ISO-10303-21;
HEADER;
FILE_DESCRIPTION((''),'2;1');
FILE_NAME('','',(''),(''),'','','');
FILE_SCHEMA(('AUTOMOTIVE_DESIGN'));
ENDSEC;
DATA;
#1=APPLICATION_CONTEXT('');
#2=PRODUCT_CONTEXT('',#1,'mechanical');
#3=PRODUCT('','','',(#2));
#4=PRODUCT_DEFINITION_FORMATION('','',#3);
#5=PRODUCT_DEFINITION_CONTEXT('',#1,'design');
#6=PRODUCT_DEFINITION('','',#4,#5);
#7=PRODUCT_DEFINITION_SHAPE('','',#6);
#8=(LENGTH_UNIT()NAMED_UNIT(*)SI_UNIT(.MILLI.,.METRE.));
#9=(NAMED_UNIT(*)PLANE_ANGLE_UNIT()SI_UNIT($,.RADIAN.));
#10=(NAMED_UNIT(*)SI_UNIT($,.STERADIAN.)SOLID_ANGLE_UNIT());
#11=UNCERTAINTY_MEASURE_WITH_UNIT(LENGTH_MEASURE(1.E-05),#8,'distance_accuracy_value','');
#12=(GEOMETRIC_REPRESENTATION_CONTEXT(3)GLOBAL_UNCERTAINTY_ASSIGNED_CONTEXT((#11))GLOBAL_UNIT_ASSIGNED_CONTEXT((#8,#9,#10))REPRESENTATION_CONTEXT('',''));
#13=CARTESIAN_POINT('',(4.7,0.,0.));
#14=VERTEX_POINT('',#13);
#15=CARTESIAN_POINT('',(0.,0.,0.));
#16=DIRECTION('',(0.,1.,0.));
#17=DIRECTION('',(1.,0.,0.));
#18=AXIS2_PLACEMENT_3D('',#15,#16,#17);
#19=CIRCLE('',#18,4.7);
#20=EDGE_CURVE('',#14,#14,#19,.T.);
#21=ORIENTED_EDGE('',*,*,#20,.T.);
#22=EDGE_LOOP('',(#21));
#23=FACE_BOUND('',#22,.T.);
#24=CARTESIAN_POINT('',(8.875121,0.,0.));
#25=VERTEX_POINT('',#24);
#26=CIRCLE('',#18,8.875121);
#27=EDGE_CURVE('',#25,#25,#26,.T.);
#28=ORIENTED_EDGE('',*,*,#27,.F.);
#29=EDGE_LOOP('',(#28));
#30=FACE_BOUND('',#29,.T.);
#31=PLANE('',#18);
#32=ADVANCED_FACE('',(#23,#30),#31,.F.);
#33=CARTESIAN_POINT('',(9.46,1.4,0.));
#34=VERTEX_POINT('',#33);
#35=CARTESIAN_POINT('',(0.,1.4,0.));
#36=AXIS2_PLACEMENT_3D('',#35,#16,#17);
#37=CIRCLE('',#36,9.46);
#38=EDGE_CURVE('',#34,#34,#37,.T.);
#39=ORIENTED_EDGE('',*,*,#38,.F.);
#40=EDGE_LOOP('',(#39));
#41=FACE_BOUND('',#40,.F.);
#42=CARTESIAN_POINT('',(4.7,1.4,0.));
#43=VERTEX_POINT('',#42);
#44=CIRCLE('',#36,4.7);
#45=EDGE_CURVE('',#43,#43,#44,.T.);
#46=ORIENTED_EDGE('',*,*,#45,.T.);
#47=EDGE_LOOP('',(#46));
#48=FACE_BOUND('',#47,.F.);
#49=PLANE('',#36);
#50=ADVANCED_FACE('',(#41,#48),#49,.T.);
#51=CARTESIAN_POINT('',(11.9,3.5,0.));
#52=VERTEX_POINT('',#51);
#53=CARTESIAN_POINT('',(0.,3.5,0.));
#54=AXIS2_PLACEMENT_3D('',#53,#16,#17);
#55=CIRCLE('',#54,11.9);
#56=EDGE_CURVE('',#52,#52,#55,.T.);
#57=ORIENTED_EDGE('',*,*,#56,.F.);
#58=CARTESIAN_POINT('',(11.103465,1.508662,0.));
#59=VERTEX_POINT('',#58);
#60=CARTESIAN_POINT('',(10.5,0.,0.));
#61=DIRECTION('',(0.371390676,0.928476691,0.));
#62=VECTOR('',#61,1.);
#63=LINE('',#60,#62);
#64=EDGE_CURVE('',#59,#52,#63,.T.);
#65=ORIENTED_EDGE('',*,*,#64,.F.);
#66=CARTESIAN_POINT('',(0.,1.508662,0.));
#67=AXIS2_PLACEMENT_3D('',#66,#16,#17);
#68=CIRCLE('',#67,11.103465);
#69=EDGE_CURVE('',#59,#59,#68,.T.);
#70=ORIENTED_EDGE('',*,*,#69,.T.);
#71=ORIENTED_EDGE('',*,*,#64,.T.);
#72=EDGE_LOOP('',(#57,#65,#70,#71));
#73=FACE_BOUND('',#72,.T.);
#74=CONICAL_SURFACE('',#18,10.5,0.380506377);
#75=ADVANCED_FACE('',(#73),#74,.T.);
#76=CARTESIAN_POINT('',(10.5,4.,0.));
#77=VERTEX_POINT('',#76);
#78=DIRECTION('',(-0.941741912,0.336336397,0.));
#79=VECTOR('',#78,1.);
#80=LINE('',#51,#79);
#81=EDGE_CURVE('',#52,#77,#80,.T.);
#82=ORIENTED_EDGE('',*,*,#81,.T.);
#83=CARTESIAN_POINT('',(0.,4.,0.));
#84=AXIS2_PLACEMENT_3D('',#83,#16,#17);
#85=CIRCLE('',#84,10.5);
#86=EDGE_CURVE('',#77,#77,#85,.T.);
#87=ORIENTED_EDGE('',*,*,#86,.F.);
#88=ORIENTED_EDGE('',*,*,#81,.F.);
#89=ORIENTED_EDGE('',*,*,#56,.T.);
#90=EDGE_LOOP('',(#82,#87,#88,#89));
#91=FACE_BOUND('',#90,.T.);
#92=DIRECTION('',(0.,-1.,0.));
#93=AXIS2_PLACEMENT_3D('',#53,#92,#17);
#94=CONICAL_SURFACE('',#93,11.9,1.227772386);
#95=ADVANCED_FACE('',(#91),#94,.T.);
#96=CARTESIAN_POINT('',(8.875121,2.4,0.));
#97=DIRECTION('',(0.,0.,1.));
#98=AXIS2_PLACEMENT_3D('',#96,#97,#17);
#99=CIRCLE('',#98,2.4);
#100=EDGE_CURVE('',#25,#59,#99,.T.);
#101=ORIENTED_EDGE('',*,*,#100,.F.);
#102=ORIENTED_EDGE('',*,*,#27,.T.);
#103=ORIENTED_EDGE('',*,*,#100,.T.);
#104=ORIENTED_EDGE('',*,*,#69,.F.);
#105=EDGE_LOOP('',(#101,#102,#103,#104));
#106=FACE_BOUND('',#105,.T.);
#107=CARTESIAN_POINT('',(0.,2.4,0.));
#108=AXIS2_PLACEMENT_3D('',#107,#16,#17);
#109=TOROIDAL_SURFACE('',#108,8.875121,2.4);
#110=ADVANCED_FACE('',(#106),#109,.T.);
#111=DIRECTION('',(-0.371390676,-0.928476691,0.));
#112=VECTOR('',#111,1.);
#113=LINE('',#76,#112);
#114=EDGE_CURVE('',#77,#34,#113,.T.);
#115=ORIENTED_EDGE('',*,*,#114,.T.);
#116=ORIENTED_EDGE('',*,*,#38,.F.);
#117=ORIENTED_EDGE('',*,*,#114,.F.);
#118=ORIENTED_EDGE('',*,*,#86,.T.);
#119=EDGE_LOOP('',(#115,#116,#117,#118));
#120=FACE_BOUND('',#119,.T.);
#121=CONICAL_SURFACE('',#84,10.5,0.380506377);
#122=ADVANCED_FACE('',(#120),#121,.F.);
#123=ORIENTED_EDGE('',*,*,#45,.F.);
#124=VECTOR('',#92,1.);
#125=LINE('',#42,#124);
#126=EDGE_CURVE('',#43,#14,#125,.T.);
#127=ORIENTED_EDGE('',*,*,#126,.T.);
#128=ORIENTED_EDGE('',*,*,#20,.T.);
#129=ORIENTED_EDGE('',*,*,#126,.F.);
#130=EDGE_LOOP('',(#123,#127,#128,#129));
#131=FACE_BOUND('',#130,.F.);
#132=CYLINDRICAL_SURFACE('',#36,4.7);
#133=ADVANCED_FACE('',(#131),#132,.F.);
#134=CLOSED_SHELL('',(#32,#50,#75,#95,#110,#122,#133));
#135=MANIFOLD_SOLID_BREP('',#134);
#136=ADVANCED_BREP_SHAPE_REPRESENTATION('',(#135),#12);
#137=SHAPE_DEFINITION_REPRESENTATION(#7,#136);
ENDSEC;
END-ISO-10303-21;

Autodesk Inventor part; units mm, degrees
ref_plane "YZ Plane" through (0, 0, 0) normal (1, 0, 0) x (0, 1, 0)
ref_plane "XZ Plane" through (0, 0, 0) normal (0, 1, 0) x (-1, 0, 0)
ref_plane "XY Plane" through (0, 0, 0) normal (0, 0, 1) x (1, 0, 0)
sketch "Sketch1" plane through (0, 0, 0) normal (0, 0, 1) x (1, 0, 0)
  line L0 (11.9, 0) -> (11.9, 3.5) construction
  line L1 (11.9, 3.5) -> (10.5, 3.5) construction
  line L2 (0, 0) -> (0, 1.4)
  line L3 (10.5, 3.5) -> (10.5, 4) construction
  line L4 (11.9, 3.5) -> (10.5, 4)
  line L5 (0, 0) -> (10.5, 0)
  line L6 (10.5, 0) -> (11.9, 3.5)
  line L7 (10.5, 4) -> (9.46, 1.4)
  line L8 (0, 1.4) -> (9.46, 1.4)
  dimension "d0" = 11.9
  dimension "d1" = 3.5
  dimension "d2" = 1.4
  dimension "d3" = 0.5
  dimension "d4" = 1.4
revolve "Revolution1" add sketch "Sketch1" angle 360 about axis through (0, 0, 0) along (0, 1, 0)
sketch "Sketch2" plane through (0, 1.4, 0) normal (0, 1, 0) x (1, 0, 0)
  circle A0 centre (0, 0) radius 4.7
  dimension "d6" = 9.4
extrude "Extrusion1" cut sketch "Sketch2" against normal through all
fillet "Fillet1" radius 2.4 1 edges at (-10.5, 0, 0)
properties part number "TopBushingWasher" material "Aluminum"
